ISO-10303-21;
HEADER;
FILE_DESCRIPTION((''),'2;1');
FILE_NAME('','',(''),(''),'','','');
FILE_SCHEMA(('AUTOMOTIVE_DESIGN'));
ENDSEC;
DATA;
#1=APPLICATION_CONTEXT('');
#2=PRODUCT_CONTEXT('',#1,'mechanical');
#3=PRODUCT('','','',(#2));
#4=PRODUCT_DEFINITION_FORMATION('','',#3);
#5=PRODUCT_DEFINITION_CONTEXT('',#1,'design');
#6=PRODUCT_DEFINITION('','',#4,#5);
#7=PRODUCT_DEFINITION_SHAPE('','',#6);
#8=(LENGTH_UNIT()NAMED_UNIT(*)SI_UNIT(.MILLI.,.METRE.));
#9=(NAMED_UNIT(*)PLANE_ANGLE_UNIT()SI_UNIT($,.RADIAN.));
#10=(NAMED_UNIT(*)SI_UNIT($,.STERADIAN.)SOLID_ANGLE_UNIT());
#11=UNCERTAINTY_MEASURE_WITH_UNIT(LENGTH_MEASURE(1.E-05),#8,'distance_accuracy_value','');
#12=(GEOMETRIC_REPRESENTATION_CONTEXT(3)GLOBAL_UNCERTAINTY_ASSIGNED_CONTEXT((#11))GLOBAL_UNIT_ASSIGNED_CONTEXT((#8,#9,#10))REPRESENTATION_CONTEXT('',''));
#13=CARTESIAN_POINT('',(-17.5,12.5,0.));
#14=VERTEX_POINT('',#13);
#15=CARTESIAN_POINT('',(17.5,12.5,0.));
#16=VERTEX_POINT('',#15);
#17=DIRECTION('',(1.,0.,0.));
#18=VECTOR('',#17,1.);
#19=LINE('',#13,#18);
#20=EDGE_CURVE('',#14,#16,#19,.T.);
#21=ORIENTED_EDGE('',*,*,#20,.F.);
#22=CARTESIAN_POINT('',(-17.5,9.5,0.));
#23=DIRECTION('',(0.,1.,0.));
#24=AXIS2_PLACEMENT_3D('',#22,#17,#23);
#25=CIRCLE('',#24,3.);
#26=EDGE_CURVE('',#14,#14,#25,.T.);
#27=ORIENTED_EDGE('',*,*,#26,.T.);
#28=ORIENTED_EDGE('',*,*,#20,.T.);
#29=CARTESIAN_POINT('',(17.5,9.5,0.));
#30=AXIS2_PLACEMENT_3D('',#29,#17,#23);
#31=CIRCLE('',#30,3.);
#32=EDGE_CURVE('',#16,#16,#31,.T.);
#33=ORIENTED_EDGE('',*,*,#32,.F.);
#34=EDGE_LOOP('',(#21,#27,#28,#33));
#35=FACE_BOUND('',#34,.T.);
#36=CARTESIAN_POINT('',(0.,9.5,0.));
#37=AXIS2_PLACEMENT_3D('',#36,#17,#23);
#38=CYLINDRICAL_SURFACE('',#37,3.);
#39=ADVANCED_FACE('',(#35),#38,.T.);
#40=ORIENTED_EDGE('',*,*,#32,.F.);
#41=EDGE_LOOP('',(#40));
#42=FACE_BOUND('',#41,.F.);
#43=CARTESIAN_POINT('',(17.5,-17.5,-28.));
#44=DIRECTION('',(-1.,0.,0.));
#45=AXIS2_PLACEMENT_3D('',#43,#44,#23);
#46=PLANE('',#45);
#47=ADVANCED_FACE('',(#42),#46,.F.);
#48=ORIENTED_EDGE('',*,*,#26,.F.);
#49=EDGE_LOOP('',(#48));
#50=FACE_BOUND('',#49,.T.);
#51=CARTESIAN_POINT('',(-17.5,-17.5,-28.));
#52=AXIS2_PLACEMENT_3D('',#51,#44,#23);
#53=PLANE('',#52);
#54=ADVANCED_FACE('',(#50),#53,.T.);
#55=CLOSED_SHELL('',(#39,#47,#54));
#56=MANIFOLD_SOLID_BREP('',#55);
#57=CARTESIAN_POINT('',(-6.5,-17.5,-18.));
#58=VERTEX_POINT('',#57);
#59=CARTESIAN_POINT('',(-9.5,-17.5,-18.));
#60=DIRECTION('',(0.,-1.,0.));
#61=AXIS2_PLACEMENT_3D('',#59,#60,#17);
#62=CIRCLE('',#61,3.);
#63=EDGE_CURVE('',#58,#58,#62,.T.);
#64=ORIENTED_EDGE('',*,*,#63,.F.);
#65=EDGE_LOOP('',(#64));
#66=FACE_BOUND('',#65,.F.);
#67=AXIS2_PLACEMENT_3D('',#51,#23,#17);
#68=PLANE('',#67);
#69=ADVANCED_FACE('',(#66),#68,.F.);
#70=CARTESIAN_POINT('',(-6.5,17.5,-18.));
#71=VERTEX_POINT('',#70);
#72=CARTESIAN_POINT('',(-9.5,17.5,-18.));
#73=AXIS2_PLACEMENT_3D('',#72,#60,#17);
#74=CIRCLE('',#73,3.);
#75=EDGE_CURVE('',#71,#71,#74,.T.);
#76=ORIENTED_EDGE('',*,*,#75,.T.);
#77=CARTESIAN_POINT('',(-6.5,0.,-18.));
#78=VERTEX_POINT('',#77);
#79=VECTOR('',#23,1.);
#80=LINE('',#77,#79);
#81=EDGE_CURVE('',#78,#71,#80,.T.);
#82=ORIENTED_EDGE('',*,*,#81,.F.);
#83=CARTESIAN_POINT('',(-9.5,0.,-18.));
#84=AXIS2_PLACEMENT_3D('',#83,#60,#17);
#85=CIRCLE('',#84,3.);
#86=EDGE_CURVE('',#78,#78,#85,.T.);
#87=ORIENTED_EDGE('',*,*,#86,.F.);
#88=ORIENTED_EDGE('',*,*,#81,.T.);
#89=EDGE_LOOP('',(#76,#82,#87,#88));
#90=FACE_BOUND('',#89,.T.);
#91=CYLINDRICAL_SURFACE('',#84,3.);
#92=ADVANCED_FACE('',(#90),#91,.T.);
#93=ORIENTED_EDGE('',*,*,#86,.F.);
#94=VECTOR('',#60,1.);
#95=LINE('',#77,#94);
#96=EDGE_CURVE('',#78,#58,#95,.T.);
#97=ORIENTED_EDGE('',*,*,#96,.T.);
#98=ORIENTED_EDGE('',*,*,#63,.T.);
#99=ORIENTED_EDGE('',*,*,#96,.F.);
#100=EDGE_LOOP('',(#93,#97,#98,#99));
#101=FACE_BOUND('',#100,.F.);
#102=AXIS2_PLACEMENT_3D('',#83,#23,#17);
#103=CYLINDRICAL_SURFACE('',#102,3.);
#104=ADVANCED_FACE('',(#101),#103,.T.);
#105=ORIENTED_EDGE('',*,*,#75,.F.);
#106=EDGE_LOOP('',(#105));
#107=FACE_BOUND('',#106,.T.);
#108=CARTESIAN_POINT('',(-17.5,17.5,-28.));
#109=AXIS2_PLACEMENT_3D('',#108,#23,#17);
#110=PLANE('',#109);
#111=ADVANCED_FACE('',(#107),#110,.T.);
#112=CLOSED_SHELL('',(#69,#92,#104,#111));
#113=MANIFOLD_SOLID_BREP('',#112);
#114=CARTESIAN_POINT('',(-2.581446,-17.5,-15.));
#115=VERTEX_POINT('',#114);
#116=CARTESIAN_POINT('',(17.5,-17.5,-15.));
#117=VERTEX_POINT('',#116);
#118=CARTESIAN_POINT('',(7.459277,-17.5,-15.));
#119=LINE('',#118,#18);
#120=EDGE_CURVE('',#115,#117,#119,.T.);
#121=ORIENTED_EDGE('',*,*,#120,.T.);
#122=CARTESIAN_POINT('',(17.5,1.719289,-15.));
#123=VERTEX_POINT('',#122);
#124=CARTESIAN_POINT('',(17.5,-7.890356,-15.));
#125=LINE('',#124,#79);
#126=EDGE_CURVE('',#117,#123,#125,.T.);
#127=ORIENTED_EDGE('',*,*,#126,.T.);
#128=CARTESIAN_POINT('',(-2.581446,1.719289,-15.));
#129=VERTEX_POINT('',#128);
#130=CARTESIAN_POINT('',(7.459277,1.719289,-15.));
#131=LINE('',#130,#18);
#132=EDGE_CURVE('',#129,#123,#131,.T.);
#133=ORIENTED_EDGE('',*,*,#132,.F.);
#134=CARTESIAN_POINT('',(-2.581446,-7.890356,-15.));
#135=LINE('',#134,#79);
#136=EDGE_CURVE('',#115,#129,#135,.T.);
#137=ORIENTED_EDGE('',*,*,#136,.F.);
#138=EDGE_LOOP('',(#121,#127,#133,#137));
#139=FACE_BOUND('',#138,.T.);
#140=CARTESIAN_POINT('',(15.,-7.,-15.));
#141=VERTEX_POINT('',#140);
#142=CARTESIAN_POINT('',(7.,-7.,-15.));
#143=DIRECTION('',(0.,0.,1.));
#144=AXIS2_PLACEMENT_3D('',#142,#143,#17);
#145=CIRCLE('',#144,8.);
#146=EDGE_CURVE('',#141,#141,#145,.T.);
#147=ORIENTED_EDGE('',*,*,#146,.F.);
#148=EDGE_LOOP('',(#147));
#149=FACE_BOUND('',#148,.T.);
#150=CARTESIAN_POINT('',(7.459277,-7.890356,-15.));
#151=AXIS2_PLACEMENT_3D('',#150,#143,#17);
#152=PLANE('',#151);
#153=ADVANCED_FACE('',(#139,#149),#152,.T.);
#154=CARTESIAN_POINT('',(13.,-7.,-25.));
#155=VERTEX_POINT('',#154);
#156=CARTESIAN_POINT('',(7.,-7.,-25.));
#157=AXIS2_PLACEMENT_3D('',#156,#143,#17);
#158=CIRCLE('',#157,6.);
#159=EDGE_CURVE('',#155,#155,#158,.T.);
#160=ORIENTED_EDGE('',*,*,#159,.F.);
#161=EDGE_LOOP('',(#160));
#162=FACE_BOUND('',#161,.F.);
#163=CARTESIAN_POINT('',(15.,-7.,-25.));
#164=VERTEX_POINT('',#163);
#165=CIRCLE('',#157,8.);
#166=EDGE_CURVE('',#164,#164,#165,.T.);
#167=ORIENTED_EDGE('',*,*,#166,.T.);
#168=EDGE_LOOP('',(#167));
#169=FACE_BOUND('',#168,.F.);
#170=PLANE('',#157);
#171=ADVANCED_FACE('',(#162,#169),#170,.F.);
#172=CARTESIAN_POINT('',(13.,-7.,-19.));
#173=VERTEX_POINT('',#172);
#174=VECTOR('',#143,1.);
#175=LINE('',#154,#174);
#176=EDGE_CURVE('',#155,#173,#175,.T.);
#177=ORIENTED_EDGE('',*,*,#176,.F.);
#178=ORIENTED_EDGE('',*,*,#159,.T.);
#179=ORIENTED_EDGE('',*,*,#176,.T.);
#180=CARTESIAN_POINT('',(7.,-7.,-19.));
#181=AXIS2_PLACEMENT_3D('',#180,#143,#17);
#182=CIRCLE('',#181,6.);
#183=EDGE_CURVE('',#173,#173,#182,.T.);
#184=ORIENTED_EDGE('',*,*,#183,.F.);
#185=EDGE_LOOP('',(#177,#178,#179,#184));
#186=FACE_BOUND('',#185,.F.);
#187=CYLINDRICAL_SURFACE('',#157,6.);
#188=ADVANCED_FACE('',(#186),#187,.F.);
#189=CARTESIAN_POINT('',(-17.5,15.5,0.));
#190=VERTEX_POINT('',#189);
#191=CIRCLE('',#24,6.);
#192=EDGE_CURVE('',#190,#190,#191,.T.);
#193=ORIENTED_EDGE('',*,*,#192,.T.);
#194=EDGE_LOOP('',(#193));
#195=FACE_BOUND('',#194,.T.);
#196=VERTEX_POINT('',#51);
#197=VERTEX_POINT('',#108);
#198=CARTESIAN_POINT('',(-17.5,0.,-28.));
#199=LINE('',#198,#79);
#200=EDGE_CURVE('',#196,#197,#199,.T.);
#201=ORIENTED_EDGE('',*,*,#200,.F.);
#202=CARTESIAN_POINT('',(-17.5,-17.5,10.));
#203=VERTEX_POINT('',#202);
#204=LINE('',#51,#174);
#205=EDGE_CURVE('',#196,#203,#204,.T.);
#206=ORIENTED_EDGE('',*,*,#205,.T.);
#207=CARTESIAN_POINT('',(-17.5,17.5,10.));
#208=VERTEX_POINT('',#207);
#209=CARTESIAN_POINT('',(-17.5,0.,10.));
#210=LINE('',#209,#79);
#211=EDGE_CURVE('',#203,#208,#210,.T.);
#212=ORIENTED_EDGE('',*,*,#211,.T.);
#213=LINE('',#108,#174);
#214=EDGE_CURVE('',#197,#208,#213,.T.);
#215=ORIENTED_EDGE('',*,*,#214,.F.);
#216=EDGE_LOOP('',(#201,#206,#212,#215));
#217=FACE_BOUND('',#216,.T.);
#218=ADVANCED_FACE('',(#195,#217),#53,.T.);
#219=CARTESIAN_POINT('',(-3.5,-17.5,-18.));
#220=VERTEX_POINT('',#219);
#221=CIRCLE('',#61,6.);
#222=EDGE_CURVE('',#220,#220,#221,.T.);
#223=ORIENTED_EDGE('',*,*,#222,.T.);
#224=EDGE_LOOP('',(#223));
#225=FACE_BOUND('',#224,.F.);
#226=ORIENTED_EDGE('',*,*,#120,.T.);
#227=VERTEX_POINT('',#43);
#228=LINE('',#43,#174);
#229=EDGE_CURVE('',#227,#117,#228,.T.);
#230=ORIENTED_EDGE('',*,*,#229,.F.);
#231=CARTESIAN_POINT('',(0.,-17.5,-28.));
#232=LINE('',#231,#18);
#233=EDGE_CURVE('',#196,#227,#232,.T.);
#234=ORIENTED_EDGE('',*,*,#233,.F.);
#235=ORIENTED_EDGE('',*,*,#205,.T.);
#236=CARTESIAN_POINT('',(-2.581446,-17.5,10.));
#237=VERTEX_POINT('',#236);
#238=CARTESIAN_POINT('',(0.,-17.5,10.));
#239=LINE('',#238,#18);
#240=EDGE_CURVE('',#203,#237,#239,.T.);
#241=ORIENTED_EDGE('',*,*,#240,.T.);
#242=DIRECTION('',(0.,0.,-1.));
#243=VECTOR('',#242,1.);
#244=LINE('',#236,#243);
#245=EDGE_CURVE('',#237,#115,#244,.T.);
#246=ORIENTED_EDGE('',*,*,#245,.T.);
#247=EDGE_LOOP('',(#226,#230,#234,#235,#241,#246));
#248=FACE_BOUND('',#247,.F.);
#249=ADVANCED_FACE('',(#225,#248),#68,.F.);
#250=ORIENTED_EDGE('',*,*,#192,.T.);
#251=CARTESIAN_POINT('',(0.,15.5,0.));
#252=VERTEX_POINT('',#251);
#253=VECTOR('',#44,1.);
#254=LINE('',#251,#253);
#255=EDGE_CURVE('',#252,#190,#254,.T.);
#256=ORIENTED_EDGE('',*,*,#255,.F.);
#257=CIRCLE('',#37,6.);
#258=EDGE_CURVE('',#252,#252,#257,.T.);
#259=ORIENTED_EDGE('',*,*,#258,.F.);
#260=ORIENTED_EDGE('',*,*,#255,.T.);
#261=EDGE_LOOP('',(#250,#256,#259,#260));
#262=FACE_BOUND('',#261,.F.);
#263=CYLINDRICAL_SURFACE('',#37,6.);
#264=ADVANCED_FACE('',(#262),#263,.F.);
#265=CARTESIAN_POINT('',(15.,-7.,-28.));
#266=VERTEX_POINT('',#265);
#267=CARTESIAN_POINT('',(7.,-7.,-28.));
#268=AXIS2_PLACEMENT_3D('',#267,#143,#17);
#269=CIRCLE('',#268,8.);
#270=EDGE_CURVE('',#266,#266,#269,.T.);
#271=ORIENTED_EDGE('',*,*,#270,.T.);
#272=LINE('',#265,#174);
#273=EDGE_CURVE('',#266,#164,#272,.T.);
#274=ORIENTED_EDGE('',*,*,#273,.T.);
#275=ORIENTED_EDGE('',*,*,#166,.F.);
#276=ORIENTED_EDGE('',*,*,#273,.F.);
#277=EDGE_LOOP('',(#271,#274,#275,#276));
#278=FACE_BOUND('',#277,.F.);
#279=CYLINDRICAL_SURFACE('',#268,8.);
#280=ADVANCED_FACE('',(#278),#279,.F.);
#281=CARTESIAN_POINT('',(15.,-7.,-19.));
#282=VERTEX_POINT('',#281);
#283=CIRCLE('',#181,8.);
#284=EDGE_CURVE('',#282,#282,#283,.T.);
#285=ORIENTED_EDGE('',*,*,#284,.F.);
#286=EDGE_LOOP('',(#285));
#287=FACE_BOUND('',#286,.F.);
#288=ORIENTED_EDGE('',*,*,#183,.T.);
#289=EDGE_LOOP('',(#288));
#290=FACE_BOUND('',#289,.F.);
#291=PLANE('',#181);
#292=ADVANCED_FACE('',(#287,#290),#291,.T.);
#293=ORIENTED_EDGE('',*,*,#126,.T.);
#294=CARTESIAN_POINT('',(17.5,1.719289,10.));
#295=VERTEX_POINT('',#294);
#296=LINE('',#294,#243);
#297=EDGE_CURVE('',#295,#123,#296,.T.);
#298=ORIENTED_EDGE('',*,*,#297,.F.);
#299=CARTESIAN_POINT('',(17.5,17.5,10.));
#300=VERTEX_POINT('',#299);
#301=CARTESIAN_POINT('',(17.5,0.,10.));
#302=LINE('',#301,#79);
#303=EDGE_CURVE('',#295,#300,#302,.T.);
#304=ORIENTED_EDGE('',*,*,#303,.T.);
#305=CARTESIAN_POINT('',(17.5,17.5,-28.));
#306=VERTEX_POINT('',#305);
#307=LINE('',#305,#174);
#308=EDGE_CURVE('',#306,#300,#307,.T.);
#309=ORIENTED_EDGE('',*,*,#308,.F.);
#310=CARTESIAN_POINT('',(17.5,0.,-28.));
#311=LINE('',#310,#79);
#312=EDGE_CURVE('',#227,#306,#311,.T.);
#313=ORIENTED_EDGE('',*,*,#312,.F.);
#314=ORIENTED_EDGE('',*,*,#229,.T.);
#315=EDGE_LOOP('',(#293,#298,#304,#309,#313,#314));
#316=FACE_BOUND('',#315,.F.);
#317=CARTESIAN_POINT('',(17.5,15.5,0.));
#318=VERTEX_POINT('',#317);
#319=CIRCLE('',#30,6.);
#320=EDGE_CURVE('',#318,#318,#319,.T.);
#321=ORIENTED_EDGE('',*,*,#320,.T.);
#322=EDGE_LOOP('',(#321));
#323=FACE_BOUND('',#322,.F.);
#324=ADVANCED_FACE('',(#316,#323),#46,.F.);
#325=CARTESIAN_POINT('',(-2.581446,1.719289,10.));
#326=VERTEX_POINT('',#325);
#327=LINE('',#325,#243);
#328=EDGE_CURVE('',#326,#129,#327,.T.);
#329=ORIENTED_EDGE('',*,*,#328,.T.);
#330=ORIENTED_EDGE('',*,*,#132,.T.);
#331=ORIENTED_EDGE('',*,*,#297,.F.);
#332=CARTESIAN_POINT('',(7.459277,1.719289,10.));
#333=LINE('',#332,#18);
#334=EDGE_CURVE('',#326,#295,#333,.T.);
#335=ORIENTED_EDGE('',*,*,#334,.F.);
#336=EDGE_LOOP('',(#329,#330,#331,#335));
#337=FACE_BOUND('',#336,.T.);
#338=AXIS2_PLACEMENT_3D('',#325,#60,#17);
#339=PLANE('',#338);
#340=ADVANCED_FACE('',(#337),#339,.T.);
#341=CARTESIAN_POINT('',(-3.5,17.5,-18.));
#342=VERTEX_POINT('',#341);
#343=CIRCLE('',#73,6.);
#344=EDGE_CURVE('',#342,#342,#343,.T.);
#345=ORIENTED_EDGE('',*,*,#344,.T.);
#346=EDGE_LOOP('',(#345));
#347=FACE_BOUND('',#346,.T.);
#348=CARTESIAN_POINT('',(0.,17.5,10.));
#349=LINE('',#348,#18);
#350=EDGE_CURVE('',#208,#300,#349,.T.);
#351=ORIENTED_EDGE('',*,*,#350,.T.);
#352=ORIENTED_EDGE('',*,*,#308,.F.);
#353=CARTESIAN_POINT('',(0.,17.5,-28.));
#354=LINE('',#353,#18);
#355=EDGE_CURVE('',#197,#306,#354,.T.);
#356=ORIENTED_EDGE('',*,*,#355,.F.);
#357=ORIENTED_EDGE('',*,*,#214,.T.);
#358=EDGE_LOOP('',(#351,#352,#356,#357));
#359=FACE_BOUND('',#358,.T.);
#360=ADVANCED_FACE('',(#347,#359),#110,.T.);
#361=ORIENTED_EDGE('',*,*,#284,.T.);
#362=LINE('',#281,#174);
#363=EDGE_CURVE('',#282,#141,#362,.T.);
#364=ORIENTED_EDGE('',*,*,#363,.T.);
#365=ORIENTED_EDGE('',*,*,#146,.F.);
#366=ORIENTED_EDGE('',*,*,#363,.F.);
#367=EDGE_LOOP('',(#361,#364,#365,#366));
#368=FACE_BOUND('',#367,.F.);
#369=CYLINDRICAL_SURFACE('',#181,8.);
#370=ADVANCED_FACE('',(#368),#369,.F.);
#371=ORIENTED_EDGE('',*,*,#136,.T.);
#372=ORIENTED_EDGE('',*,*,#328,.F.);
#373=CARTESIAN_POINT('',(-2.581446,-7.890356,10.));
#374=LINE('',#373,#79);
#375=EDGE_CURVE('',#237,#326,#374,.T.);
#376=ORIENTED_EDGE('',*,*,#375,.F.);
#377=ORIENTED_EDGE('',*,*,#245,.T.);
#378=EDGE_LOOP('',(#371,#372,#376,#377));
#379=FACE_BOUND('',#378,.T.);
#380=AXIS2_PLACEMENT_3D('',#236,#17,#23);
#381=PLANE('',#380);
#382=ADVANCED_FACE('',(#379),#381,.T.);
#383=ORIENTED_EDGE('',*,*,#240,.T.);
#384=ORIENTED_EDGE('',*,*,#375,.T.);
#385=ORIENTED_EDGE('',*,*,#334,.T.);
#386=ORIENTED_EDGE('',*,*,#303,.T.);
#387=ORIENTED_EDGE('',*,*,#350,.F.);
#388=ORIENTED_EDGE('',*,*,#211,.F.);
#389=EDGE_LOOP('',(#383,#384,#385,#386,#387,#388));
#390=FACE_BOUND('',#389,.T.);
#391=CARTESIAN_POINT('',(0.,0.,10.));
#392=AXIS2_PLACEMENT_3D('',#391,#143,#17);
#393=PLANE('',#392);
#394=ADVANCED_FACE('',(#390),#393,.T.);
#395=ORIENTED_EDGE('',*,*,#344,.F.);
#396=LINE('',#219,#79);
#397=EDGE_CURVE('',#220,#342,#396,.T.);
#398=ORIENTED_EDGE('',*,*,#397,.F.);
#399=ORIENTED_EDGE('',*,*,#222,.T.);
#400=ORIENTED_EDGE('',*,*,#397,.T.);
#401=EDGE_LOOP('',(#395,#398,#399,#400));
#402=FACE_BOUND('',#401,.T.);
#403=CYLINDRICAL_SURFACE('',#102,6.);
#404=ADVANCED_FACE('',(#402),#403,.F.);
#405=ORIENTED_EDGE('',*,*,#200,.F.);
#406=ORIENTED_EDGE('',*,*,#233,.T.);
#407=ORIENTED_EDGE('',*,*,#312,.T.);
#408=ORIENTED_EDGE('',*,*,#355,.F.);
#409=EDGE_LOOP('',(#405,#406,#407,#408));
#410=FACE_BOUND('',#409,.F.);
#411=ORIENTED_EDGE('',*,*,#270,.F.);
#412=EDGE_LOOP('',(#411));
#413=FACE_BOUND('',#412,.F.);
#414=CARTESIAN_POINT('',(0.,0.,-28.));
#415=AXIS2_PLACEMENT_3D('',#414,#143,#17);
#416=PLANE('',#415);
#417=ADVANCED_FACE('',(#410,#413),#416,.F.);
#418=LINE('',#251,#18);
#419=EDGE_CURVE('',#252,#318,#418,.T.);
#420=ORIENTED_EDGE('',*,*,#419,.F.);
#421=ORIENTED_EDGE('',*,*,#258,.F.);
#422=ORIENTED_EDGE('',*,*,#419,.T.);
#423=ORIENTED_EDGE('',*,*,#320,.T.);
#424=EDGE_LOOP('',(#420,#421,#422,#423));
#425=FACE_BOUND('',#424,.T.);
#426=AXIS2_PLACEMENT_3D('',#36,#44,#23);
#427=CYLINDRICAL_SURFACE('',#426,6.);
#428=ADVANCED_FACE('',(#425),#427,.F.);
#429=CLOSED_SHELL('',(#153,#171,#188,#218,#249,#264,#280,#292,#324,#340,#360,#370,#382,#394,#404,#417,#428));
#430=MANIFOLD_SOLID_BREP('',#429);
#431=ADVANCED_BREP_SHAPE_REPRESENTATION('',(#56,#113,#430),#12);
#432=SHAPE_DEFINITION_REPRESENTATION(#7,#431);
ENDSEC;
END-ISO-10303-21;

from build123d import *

# Parameters (mm, degrees)
F0_R          = 6
F0_R_2        = 3
F1_DEPTH      = 17.5
F1_DEPTH_BACK = 17.5
F2_R          = 6
F2_R_2        = 3
F3_DEPTH      = 17.5
F3_DEPTH_BACK = 17.5
F5_W          = 35
F5_H          = 35
F9_DEPTH      = 38
F11_W         = 20.0814460665
F11_H         = 19.2192889936
F12_DEPTH     = 25


with BuildPart() as f1:
    # F0 (on Right) → F1 (new body, two sides)
    with BuildSketch(Plane.YZ) as f1_sk:
        with Locations((9.5, 0)):
            Circle(F0_R)
        with Locations((9.5, 0)):
            Circle(F0_R_2, mode=Mode.SUBTRACT)
    extrude(amount=-F1_DEPTH)
    extrude(f1_sk.sketch, amount=F1_DEPTH_BACK)


with BuildPart() as f3:
    # F2 (on Front) → F3 (new body, two sides)
    with BuildSketch(Plane.XZ) as f3_sk:
        with Locations((-9.5, -18)):
            Circle(F2_R)
        with Locations((-9.5, -18)):
            Circle(F2_R_2, mode=Mode.SUBTRACT)
    extrude(amount=-F3_DEPTH)
    extrude(f3_sk.sketch, amount=F3_DEPTH_BACK)


with BuildPart() as f8:
    # F7 (on plane+point) → F8 (revolve)
    with BuildSketch(Plane.XZ.offset(7)):
        Polygon((7, -15), (7, -28), (13, -28), (15, -28), (15, -25), (13, -25), (13, -19), (15, -19), (15, -15), align=None)
    revolve(axis=Axis((7, -7, -17.05239507), (0, 0, 1)))


with BuildPart() as f9:
    # F5 (on offset) → F9 (new body)
    with BuildSketch(Plane.XY.offset(-28)):
        Rectangle(F5_W, F5_H)
    extrude(amount=F9_DEPTH)

    # F10: cut F8
    add(f8.part, mode=Mode.SUBTRACT)

    # F11 (on face) → F12 (cut)
    with BuildSketch(Plane.XY.offset(10)):
        with Locations((7.4592769668, -7.8903555032)):
            Rectangle(F11_W, F11_H)
    extrude(amount=-F12_DEPTH, mode=Mode.SUBTRACT)

    # F13: cut F3, F1
    add(f3.part, mode=Mode.SUBTRACT)
    add(f1.part, mode=Mode.SUBTRACT)


solid = f9.part
